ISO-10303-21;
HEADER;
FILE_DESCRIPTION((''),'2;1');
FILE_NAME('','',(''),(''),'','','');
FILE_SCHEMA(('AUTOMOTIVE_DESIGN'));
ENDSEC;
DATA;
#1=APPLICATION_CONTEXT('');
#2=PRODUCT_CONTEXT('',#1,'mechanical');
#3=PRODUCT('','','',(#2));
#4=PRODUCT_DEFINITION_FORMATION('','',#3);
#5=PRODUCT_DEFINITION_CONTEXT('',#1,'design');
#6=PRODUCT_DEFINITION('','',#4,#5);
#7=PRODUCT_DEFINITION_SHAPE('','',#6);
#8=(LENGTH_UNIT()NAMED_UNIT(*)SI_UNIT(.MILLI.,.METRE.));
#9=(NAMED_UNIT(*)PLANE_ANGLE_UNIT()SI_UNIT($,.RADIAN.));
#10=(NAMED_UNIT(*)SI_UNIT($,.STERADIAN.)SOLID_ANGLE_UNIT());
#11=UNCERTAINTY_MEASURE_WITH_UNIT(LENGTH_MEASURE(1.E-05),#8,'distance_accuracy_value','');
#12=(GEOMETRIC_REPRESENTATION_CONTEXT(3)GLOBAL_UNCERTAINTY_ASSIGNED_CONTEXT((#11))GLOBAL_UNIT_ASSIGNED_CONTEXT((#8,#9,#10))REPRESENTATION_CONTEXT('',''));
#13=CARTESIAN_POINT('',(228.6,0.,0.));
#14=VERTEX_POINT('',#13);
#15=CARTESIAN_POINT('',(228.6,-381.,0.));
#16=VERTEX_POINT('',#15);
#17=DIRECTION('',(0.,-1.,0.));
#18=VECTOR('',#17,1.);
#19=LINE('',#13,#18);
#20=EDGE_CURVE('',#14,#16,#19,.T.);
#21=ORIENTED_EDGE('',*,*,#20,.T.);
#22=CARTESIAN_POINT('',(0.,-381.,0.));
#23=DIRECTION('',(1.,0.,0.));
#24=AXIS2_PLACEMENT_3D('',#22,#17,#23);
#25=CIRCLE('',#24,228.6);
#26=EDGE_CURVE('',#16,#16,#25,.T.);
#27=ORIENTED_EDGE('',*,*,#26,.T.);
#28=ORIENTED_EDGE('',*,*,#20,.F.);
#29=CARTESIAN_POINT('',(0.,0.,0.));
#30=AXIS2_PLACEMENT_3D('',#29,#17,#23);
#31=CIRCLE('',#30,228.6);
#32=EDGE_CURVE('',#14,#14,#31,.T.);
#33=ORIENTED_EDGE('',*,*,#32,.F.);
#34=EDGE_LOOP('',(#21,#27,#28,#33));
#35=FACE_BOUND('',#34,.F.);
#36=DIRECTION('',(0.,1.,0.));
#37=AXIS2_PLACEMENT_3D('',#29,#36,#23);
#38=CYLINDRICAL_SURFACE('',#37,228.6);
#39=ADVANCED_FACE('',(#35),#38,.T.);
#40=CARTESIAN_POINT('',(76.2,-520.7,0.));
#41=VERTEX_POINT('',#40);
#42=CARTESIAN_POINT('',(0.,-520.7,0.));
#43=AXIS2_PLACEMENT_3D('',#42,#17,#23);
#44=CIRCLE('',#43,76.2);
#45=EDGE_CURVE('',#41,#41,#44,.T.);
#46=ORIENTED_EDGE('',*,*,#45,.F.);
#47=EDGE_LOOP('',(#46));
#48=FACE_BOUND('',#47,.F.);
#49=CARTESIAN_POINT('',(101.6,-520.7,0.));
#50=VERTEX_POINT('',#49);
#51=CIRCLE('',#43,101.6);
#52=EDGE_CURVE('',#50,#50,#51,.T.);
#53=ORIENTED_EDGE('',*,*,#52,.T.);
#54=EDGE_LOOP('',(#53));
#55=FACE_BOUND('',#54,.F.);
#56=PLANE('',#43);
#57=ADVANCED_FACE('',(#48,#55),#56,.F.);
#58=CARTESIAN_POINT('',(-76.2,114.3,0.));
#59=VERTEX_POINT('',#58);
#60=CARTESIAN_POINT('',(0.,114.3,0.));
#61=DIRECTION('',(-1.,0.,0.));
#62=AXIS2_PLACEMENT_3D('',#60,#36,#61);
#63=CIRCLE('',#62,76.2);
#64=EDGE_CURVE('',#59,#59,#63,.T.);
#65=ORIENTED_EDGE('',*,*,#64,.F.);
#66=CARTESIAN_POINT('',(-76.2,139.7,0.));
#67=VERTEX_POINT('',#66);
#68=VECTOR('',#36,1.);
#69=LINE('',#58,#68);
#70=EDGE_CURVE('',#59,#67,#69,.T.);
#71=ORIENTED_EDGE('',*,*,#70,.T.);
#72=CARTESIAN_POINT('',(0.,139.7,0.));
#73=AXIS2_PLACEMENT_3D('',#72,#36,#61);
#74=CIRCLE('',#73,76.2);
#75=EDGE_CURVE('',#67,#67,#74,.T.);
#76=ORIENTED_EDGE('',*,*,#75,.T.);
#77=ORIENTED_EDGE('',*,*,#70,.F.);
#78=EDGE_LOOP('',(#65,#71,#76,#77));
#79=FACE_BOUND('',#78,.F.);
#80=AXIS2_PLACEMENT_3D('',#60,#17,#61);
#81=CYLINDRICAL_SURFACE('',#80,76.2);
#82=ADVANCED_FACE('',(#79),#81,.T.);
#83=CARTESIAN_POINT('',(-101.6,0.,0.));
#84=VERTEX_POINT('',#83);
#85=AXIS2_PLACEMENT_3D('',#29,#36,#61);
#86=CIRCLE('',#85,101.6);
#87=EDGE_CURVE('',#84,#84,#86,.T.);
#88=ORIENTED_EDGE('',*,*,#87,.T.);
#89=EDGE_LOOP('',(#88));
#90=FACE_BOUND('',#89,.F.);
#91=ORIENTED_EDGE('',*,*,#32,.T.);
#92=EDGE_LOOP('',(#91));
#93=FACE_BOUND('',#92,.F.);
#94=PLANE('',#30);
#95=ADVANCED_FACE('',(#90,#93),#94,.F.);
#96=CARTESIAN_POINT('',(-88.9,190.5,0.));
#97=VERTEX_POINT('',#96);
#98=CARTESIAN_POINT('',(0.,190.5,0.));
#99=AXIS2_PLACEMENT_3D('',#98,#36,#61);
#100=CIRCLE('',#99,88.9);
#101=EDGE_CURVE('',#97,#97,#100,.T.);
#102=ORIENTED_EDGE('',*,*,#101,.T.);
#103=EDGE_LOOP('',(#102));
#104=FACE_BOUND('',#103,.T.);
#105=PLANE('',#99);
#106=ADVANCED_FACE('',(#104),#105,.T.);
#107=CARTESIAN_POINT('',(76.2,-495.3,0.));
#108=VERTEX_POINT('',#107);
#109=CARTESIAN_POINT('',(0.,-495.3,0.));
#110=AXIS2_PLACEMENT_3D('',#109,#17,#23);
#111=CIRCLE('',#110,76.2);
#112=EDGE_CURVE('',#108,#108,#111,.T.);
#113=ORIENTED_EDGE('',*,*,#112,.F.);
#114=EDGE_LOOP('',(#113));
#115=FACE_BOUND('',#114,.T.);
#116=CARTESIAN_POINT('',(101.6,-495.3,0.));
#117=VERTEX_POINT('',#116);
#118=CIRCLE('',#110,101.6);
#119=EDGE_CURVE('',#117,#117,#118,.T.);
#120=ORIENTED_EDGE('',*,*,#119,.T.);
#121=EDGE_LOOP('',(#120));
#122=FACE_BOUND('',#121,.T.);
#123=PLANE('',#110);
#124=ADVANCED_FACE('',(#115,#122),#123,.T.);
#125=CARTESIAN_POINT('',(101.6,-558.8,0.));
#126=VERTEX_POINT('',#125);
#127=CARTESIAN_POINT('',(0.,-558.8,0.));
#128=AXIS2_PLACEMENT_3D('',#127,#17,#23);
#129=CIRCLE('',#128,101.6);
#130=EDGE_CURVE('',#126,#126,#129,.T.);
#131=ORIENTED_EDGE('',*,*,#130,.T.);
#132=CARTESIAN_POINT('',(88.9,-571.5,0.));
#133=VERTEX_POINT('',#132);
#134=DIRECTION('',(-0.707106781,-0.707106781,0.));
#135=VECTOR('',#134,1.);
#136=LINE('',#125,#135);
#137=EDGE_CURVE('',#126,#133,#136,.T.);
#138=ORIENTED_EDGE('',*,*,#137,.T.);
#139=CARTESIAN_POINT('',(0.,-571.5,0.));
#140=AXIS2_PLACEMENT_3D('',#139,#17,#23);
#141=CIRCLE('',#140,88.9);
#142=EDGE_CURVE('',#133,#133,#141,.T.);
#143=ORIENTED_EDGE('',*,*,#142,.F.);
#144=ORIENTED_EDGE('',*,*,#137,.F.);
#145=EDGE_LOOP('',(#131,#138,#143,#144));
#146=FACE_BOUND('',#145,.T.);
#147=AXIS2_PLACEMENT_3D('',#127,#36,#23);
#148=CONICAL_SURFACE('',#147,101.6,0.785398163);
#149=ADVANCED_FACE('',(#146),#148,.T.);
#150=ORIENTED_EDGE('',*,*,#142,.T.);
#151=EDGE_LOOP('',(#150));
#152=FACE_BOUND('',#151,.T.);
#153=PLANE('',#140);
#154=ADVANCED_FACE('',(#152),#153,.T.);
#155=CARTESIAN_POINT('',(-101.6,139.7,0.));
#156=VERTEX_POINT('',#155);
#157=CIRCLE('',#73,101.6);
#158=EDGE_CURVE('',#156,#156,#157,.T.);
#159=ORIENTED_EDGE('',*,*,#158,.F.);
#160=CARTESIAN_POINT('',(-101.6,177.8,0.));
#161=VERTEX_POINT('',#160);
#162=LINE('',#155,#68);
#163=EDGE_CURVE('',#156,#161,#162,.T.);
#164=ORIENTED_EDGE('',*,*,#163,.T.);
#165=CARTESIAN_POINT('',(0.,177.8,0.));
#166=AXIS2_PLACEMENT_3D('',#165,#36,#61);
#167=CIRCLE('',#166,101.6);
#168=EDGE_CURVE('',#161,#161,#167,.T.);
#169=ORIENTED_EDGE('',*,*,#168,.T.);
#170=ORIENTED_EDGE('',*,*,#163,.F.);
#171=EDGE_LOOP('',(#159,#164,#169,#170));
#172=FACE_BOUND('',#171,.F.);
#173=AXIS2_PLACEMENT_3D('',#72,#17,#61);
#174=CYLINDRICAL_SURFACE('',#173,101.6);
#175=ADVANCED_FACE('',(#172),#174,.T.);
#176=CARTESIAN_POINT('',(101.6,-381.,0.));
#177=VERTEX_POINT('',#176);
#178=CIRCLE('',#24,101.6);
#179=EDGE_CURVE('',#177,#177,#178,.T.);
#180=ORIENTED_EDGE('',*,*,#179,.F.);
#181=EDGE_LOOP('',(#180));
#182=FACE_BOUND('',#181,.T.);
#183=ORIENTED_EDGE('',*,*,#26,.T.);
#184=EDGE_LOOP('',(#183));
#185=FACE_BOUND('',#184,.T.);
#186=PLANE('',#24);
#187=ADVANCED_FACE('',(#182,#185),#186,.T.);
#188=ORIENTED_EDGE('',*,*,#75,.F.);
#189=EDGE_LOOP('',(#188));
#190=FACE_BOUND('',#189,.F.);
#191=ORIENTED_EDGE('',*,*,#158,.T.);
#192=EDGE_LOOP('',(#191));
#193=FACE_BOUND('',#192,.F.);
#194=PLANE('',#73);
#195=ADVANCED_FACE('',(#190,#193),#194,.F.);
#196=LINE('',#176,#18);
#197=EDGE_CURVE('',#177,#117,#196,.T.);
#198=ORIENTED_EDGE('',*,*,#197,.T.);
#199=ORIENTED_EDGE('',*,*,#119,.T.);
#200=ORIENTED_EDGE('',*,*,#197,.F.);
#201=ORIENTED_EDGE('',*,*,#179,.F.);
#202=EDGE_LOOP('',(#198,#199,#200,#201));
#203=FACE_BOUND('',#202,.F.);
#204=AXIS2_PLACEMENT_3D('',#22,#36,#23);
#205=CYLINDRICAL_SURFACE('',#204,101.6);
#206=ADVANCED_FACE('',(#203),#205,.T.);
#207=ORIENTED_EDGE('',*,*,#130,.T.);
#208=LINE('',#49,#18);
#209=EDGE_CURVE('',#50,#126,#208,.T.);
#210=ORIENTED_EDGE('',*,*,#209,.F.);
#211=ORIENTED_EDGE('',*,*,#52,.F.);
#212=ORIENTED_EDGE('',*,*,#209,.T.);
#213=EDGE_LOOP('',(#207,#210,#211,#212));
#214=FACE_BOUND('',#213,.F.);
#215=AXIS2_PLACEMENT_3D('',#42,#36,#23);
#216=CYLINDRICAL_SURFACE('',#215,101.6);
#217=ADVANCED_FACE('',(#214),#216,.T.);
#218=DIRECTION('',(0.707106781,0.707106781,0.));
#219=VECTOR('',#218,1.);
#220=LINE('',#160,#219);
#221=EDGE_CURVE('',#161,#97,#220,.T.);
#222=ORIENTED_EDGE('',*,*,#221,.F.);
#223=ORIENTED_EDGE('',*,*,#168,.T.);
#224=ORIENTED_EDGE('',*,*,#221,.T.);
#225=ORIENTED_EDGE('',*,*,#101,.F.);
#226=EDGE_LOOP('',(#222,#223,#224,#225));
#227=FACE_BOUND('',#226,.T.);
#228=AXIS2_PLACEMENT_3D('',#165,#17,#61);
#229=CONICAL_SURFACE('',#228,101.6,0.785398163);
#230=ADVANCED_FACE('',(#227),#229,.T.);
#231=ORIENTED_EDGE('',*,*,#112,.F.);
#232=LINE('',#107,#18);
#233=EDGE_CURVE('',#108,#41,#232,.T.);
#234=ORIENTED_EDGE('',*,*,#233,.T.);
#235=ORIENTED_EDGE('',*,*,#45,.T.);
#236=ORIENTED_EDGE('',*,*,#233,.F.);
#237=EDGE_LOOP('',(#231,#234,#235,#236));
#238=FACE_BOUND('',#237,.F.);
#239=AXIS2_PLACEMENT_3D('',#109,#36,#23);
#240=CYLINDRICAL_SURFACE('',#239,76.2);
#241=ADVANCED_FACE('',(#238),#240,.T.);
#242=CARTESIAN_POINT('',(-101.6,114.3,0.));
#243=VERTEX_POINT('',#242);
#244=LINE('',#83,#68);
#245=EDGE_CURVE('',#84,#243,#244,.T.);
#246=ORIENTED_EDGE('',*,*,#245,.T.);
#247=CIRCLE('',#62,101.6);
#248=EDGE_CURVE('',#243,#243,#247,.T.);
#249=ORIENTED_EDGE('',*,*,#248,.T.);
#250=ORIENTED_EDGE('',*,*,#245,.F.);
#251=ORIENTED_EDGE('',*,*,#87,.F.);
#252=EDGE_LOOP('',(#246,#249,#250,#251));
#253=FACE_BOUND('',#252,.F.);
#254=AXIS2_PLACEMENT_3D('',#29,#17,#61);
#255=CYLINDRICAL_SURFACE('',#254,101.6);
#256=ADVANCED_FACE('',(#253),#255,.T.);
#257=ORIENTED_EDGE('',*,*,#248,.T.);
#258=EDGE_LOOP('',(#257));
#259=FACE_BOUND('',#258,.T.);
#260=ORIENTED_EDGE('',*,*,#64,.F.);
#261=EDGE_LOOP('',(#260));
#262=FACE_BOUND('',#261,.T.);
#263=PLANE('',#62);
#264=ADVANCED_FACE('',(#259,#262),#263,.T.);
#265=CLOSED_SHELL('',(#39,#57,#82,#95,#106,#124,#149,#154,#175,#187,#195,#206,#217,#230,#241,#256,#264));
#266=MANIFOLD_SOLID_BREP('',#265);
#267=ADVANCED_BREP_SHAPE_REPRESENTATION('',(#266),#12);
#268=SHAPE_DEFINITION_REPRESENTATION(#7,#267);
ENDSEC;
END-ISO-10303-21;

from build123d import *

# Parameters (mm, degrees)
F0_R      = 228.6
F1_DEPTH  = 381
F2_R      = 101.6
F3_DEPTH  = 114.3
F4_R      = 101.6
F3_FACE_R = 101.6
F5_DEPTH  = 114.3
F6_R      = 76.2
F7_DEPTH  = 25.4
F8_R      = 101.6
F9_DEPTH  = 50.8
F10_R     = 76.2
F11_DEPTH = 25.4
F12_R     = 101.6
F13_DEPTH = 50.8
F14_SIZE2 = 12.7
F14_SIZE  = 12.7


with BuildPart() as f1:
    # F0 (on Front) → F1 (new body)
    with BuildSketch(Plane.XZ):
        Circle(F0_R)
    extrude(amount=F1_DEPTH)

    # F2 (on face) → F3 (join)
    with BuildSketch(Plane.XZ.offset(381)):
        Circle(F2_R)
    extrude(amount=F3_DEPTH)

    # F4 (on face) + F3_face (on face) → F5 (join)
    with BuildSketch(Plane(origin=(0, 0, 0), x_dir=(-1, 0, 0), z_dir=(0, 1, 0))):
        Circle(F4_R)
    with BuildSketch(Plane.XZ.offset(495.3)):
        Circle(F3_FACE_R)
    extrude(amount=F5_DEPTH, dir=(0, 1, 0))

    # F6 (on face) → F7 (join)
    with BuildSketch(Plane(origin=(0, 114.3, 0), x_dir=(-1, 0, 0), z_dir=(0, 1, 0))):
        Circle(F6_R)
    extrude(amount=F7_DEPTH)

    # F8 (on face) → F9 (join)
    with BuildSketch(Plane(origin=(0, 139.7, 0), x_dir=(-1, 0, 0), z_dir=(0, 1, 0))):
        Circle(F8_R)
    extrude(amount=F9_DEPTH)

    # F10 (on face) → F11 (join)
    with BuildSketch(Plane.XZ.offset(495.3)):
        Circle(F10_R)
    extrude(amount=F11_DEPTH)

    # F12 (on face) → F13 (join)
    with BuildSketch(Plane.XZ.offset(520.7)):
        Circle(F12_R)
    extrude(amount=F13_DEPTH)

    # F14
    f14_edges = [f1.edges().sort_by_distance(p)[0] for p in [
        (101.6, 190.5, 0),
        (-101.6, -571.5, 0),
    ]]
    chamfer(f14_edges, length=F14_SIZE, length2=F14_SIZE2)


solid = f1.part
